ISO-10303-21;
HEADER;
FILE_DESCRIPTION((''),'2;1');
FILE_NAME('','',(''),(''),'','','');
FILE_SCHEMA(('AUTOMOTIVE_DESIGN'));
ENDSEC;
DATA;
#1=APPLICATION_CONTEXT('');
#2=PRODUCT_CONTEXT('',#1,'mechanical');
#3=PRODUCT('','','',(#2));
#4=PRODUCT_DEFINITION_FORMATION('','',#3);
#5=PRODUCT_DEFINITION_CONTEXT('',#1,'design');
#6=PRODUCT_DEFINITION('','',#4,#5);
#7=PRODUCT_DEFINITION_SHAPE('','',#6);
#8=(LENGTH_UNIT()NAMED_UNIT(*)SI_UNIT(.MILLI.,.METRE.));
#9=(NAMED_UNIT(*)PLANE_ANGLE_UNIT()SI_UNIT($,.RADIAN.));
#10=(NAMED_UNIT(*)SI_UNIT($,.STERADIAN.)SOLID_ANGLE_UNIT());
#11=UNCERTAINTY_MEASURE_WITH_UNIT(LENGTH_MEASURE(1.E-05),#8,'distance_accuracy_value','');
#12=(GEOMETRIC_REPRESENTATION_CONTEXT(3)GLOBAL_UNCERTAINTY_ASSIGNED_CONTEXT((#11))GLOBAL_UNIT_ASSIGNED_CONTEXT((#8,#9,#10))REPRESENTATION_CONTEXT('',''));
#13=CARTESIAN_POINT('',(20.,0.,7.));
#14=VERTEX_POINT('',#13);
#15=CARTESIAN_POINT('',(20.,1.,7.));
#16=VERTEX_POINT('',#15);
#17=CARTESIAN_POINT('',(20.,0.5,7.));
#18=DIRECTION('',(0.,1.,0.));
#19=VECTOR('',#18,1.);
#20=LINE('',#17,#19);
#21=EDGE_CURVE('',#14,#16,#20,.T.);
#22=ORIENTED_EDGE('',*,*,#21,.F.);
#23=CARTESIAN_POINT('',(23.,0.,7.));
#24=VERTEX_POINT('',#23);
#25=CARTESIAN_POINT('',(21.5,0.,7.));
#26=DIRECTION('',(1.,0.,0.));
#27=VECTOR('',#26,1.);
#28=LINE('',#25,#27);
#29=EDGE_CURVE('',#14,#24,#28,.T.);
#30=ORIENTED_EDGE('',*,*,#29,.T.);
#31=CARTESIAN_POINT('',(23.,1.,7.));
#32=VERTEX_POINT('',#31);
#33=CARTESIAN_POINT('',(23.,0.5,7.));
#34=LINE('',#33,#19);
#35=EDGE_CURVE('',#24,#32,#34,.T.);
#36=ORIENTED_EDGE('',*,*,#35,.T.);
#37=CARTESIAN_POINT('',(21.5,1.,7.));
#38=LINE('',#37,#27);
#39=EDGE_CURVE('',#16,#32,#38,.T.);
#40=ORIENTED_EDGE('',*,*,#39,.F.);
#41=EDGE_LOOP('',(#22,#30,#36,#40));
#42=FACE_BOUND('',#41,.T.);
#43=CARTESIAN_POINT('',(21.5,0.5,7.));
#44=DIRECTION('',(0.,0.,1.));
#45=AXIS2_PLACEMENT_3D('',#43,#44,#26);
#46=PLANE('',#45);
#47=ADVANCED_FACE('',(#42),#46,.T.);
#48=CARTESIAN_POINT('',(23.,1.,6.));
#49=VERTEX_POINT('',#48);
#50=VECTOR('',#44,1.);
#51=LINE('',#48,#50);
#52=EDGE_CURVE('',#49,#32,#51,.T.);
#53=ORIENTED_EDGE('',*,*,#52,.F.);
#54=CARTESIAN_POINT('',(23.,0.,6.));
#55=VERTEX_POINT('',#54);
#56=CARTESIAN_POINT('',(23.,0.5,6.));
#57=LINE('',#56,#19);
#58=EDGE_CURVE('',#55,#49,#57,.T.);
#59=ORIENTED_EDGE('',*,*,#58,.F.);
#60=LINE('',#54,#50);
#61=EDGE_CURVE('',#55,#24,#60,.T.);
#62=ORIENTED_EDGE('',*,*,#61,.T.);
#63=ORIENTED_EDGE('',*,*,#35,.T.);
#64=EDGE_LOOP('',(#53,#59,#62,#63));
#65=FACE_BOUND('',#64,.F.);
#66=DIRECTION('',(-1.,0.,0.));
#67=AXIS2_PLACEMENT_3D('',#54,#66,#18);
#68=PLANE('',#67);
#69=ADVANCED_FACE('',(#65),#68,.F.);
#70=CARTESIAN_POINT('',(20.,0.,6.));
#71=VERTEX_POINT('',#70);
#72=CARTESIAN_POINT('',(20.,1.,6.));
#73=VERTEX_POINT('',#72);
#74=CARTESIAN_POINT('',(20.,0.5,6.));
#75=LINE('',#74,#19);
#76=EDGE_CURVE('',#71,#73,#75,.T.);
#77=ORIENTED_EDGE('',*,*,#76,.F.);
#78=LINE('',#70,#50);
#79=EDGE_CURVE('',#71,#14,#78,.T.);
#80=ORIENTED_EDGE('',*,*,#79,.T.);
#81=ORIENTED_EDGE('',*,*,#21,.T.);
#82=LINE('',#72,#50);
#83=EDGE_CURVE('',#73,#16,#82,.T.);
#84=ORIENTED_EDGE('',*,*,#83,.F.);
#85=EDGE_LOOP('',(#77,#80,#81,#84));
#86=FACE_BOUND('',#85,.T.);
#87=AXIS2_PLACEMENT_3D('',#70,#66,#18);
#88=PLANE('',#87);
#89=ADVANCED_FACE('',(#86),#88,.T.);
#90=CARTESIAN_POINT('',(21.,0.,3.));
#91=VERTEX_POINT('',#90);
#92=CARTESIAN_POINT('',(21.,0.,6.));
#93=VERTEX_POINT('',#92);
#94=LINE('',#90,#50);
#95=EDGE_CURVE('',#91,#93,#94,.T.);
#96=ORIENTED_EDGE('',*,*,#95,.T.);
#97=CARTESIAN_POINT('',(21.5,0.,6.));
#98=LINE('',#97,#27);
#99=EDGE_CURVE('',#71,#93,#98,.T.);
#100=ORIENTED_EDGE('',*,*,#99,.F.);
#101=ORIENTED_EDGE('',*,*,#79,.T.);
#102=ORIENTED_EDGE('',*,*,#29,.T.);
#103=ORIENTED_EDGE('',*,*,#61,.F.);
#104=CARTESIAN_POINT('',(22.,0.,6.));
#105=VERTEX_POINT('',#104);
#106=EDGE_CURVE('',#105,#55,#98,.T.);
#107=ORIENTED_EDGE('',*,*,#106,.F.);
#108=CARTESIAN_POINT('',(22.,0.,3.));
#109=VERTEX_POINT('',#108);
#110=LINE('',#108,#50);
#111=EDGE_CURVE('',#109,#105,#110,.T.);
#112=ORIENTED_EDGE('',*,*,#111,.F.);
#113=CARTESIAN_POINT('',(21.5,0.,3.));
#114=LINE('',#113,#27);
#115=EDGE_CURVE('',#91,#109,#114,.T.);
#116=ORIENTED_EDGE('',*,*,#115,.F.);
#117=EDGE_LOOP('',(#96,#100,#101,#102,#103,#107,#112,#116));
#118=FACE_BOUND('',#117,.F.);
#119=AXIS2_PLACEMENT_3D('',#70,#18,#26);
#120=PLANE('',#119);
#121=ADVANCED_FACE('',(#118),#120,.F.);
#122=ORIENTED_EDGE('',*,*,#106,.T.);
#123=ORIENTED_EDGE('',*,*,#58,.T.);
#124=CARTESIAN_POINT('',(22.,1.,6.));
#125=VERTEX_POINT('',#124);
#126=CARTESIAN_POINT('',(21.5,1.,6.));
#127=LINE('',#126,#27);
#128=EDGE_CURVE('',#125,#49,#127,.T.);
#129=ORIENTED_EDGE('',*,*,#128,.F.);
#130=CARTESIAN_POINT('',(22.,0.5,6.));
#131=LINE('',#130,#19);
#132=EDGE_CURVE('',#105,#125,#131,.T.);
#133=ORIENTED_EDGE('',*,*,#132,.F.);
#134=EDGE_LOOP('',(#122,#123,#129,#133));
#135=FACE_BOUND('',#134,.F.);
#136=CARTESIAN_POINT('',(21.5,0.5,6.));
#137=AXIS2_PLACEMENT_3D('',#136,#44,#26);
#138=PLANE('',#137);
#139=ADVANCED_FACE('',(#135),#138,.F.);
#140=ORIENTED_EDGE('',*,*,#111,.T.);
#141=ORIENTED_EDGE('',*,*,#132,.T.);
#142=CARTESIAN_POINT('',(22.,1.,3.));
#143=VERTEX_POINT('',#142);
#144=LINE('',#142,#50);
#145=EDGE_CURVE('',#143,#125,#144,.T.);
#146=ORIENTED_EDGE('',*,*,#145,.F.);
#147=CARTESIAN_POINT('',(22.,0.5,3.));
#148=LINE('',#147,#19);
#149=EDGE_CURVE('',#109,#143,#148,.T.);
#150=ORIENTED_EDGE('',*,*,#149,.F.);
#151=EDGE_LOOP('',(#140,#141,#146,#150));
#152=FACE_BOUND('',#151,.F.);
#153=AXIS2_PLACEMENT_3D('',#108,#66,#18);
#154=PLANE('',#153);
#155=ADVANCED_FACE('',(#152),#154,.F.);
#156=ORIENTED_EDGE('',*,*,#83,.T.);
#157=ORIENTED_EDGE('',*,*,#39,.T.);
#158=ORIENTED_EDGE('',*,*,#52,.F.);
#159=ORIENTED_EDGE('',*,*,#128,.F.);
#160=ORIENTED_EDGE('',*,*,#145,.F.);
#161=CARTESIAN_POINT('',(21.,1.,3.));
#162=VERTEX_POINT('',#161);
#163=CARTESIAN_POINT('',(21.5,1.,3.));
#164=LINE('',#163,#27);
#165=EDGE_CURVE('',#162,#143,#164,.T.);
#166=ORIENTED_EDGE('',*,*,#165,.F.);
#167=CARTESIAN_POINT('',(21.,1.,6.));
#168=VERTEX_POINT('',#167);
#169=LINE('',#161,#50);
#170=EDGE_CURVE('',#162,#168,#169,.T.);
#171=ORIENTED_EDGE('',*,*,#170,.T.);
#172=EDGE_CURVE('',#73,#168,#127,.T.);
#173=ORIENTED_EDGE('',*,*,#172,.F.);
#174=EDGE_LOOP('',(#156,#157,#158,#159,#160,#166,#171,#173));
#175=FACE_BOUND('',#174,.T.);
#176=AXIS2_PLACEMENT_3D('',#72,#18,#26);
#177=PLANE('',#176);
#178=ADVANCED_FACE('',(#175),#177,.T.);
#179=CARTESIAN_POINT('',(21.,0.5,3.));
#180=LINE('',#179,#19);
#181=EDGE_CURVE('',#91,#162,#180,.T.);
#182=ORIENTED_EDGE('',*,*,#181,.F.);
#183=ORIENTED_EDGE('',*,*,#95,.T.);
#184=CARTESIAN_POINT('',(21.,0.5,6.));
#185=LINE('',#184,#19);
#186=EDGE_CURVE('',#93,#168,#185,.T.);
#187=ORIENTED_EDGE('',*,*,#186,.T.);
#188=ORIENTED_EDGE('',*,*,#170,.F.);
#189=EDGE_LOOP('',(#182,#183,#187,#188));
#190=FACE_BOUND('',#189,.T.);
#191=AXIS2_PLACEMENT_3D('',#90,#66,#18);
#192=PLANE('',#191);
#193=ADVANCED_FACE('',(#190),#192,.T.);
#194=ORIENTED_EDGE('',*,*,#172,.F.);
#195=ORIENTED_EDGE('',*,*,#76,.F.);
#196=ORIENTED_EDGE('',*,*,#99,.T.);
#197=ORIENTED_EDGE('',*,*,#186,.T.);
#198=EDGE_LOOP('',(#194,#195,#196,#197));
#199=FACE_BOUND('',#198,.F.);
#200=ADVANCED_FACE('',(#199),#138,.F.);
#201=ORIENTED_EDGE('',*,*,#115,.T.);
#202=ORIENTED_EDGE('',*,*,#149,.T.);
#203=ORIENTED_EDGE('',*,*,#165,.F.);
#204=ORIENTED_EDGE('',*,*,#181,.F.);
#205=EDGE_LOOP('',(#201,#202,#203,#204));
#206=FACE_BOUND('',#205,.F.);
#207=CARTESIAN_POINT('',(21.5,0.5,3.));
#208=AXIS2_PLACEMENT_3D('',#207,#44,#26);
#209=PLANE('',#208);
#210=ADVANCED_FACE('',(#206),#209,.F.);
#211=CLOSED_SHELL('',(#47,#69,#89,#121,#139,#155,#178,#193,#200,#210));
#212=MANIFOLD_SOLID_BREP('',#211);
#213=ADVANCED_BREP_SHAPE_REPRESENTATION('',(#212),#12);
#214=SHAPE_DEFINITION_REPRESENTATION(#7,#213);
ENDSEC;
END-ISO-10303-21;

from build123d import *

# Parameters (mm, degrees)
BOX067_W     = 3
BOX067_H     = 1
BOX067_DEPTH = 1
BOX072_W     = 1
BOX072_H     = 1
BOX072_DEPTH = 3


with BuildPart() as box067:
    # Box067 → Box067 (new body)
    with BuildSketch(Plane(origin=(20, 0, 6), x_dir=(1, 0, 0), z_dir=(0, 0, 1))):
        with Locations((1.5, 0.5)):
            Rectangle(BOX067_W, BOX067_H)
    extrude(amount=BOX067_DEPTH)


with BuildPart() as fusion037:
    # Box072 → Box072 (new body)
    with BuildSketch(Plane(origin=(21, 0, 3), x_dir=(1, 0, 0), z_dir=(0, 0, 1))):
        with Locations((0.5, 0.5)):
            Rectangle(BOX072_W, BOX072_H)
    extrude(amount=BOX072_DEPTH)

    # Fusion037: union Box067
    add(box067.part)


solid = fusion037.part
